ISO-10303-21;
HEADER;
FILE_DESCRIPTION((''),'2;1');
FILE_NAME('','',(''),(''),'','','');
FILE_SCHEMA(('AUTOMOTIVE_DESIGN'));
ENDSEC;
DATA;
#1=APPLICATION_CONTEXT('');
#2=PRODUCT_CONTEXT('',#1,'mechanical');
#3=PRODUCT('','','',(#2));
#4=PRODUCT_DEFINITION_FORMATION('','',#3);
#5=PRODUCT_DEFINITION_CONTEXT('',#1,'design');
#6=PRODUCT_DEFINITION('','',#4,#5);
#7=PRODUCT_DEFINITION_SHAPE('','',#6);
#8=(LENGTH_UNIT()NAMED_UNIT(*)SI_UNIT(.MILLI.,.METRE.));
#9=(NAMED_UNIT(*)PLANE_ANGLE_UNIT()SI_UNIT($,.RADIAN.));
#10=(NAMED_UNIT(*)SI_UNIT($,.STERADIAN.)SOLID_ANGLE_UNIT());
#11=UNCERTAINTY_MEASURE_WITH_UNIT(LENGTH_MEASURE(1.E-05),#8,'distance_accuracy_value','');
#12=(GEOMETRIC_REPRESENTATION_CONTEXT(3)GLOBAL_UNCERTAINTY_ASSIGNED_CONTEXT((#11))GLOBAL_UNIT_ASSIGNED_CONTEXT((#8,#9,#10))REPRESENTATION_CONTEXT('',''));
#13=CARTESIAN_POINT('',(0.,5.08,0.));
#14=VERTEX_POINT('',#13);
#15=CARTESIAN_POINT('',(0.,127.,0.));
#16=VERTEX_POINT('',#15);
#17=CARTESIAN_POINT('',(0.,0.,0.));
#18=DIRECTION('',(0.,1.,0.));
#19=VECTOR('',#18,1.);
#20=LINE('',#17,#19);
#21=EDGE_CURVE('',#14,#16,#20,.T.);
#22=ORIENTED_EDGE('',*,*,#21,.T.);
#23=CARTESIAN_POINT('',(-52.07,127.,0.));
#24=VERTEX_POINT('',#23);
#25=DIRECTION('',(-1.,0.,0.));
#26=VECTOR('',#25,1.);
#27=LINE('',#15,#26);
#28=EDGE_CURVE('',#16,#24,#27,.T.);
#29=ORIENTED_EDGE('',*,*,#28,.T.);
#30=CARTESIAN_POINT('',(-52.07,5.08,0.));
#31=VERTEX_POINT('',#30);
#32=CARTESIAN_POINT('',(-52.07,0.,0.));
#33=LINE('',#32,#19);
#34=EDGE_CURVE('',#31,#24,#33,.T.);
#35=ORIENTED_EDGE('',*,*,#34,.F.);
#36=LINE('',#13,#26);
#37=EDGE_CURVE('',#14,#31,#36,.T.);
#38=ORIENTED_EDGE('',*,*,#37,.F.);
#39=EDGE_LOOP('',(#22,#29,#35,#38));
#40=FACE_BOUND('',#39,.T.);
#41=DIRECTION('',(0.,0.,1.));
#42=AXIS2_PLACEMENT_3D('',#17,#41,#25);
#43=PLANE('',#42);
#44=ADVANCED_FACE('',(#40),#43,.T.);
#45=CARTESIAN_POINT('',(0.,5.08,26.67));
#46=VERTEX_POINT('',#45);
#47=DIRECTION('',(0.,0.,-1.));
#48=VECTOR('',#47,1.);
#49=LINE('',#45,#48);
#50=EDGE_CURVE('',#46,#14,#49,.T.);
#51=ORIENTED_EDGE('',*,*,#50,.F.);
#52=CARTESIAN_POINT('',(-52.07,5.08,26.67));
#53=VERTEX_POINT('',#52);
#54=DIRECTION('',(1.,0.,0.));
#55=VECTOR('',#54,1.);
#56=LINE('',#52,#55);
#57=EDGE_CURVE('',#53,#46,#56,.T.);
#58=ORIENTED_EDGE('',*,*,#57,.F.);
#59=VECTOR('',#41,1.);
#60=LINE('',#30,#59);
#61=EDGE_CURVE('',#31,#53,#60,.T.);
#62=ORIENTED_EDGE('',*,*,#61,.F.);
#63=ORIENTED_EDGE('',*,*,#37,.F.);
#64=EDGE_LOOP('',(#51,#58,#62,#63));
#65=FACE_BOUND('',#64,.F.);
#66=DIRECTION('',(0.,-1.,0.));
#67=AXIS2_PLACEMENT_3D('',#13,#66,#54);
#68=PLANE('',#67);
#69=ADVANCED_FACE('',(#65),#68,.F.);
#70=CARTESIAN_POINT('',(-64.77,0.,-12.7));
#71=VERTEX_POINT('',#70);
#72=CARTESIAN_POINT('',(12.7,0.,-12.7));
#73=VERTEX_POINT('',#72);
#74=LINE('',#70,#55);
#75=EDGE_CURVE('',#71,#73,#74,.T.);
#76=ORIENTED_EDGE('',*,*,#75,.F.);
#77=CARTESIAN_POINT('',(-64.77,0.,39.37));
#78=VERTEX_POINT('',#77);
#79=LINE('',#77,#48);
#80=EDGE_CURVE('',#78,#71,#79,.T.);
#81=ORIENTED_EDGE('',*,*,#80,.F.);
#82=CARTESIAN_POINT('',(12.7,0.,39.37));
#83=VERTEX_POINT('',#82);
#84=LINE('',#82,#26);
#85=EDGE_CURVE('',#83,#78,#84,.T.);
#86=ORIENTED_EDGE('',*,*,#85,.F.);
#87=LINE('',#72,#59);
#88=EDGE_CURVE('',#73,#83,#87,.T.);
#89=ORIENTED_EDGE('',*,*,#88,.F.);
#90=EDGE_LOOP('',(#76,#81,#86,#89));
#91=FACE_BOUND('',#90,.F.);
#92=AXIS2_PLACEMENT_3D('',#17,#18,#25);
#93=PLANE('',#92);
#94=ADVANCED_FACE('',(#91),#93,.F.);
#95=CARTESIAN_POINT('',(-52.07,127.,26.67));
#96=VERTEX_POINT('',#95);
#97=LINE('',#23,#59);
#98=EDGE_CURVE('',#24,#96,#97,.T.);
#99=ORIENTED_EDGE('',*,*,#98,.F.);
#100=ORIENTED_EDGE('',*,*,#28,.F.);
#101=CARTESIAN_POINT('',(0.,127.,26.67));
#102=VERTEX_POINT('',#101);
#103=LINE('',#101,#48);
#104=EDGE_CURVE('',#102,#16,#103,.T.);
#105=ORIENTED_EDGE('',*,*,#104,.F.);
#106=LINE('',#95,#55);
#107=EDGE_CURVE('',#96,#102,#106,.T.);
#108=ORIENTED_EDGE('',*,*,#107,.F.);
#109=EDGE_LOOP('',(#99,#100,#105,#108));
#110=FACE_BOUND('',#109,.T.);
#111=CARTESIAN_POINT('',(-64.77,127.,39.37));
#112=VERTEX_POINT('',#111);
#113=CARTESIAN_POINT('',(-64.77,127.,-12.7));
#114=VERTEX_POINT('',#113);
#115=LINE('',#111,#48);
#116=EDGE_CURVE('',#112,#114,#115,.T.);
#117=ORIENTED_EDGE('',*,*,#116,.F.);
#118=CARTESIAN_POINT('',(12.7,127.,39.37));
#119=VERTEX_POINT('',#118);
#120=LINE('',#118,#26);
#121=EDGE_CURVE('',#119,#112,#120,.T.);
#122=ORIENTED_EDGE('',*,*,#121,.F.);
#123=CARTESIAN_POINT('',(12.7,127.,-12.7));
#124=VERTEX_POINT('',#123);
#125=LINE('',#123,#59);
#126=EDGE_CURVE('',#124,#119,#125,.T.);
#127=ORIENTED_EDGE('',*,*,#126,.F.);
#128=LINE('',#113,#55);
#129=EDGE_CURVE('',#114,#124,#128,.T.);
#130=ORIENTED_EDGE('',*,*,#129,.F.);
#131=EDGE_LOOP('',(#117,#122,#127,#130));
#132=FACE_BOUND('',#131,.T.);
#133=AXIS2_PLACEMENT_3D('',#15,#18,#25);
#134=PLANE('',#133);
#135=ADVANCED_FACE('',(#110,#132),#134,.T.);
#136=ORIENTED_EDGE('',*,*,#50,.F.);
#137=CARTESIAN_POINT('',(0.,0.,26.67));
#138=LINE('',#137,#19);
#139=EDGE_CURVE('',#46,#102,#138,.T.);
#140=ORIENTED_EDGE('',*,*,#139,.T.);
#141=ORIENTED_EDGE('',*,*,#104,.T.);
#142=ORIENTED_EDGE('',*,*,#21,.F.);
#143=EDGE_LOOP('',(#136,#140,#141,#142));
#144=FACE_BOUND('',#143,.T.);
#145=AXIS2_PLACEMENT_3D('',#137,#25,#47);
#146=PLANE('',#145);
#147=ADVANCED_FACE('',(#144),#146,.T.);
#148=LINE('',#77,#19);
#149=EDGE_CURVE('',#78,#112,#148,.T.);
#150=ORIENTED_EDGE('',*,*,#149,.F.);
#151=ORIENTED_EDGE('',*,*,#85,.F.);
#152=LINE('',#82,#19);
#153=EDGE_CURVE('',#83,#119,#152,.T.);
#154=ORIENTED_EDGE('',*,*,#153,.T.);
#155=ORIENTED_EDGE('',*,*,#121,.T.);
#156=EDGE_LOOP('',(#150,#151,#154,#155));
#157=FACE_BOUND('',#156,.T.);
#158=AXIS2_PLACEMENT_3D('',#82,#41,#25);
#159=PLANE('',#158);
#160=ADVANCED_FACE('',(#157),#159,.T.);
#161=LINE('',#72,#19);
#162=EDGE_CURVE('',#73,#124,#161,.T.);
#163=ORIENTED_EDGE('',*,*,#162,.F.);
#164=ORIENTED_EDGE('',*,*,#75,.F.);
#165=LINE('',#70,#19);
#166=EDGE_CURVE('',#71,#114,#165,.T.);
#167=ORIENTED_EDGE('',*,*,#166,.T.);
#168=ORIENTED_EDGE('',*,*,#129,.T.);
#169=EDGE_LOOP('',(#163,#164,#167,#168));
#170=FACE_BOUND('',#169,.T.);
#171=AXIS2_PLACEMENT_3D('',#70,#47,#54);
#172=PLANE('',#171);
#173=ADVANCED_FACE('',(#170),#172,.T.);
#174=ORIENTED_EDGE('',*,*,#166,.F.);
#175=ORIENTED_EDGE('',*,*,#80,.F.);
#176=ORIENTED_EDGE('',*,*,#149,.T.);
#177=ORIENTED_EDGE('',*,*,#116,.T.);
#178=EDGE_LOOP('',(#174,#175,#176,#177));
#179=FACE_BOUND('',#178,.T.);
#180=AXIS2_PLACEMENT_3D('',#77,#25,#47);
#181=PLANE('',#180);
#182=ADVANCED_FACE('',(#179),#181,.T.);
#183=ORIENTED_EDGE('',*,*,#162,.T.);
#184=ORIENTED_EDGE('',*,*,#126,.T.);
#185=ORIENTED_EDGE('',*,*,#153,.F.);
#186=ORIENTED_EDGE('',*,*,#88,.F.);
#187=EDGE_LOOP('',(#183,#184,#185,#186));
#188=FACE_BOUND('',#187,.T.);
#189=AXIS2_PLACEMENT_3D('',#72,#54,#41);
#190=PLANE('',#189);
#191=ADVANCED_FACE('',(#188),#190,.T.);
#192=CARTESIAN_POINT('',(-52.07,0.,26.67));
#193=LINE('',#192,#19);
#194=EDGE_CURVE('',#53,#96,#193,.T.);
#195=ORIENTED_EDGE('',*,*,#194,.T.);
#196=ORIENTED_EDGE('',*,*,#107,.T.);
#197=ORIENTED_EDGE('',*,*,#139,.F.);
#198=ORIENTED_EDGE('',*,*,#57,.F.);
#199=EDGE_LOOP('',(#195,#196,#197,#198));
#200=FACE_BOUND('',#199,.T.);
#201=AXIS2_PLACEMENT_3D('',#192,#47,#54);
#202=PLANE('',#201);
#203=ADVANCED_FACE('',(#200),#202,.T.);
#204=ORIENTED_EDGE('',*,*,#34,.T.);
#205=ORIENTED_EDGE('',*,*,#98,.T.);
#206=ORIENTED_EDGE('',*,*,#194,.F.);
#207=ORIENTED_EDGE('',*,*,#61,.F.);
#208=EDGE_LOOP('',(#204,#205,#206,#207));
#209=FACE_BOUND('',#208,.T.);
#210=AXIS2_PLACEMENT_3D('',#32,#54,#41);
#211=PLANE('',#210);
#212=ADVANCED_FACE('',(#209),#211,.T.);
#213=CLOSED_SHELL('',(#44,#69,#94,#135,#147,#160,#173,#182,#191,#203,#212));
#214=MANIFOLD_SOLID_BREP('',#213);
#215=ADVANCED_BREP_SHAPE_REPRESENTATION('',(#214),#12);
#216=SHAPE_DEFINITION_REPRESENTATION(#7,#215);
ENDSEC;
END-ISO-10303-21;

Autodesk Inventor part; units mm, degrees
ref_plane "YZ Plane" through (0, 0, 0) normal (1, 0, 0) x (0, 1, 0)
ref_plane "XZ Plane" through (0, 0, 0) normal (0, 1, 0) x (-1, 0, 0)
ref_plane "XY Plane" through (0, 0, 0) normal (0, 0, 1) x (1, 0, 0)
sketch "Sketch1" plane through (0, 0, 0) normal (0, 1, 0) x (-1, 0, 0)
  line L0 (0, 0) -> (52.07, 0)
  line L1 (52.07, 0) -> (52.07, 26.67)
  line L2 (52.07, 26.67) -> (0, 26.67)
  line L3 (0, 26.67) -> (0, 0)
  line L4 (-12.7, 39.37) -> (64.77, 39.37)
  line L5 (64.77, 39.37) -> (64.77, -12.7)
  line L6 (64.77, -12.7) -> (-12.7, -12.7)
  line L7 (-12.7, -12.7) -> (-12.7, 39.37)
  dimension "d0" = 26.67
  dimension "d1" = 52.07
  dimension "d2" = 12.7
  dimension "d3" = 12.7
  dimension "d4" = 12.7
  dimension "d5" = 12.7
extrude "Extrusion1" add sketch "Sketch1" along normal blind 127
sketch "Sketch2" plane through (0, 0, 0) normal (0, -1, 0) x (1, 0, 0)
  line L0 (0, 0) -> (-52.07, 0)
  line L1 (-52.07, 0) -> (-52.07, 26.67)
  line L2 (-52.07, 26.67) -> (0, 26.67)
  line L3 (0, 26.67) -> (0, 0)
extrude "Extrusion2" add sketch "Sketch2" against normal blind 5.08
properties part number "HammerStick Sleeve"
